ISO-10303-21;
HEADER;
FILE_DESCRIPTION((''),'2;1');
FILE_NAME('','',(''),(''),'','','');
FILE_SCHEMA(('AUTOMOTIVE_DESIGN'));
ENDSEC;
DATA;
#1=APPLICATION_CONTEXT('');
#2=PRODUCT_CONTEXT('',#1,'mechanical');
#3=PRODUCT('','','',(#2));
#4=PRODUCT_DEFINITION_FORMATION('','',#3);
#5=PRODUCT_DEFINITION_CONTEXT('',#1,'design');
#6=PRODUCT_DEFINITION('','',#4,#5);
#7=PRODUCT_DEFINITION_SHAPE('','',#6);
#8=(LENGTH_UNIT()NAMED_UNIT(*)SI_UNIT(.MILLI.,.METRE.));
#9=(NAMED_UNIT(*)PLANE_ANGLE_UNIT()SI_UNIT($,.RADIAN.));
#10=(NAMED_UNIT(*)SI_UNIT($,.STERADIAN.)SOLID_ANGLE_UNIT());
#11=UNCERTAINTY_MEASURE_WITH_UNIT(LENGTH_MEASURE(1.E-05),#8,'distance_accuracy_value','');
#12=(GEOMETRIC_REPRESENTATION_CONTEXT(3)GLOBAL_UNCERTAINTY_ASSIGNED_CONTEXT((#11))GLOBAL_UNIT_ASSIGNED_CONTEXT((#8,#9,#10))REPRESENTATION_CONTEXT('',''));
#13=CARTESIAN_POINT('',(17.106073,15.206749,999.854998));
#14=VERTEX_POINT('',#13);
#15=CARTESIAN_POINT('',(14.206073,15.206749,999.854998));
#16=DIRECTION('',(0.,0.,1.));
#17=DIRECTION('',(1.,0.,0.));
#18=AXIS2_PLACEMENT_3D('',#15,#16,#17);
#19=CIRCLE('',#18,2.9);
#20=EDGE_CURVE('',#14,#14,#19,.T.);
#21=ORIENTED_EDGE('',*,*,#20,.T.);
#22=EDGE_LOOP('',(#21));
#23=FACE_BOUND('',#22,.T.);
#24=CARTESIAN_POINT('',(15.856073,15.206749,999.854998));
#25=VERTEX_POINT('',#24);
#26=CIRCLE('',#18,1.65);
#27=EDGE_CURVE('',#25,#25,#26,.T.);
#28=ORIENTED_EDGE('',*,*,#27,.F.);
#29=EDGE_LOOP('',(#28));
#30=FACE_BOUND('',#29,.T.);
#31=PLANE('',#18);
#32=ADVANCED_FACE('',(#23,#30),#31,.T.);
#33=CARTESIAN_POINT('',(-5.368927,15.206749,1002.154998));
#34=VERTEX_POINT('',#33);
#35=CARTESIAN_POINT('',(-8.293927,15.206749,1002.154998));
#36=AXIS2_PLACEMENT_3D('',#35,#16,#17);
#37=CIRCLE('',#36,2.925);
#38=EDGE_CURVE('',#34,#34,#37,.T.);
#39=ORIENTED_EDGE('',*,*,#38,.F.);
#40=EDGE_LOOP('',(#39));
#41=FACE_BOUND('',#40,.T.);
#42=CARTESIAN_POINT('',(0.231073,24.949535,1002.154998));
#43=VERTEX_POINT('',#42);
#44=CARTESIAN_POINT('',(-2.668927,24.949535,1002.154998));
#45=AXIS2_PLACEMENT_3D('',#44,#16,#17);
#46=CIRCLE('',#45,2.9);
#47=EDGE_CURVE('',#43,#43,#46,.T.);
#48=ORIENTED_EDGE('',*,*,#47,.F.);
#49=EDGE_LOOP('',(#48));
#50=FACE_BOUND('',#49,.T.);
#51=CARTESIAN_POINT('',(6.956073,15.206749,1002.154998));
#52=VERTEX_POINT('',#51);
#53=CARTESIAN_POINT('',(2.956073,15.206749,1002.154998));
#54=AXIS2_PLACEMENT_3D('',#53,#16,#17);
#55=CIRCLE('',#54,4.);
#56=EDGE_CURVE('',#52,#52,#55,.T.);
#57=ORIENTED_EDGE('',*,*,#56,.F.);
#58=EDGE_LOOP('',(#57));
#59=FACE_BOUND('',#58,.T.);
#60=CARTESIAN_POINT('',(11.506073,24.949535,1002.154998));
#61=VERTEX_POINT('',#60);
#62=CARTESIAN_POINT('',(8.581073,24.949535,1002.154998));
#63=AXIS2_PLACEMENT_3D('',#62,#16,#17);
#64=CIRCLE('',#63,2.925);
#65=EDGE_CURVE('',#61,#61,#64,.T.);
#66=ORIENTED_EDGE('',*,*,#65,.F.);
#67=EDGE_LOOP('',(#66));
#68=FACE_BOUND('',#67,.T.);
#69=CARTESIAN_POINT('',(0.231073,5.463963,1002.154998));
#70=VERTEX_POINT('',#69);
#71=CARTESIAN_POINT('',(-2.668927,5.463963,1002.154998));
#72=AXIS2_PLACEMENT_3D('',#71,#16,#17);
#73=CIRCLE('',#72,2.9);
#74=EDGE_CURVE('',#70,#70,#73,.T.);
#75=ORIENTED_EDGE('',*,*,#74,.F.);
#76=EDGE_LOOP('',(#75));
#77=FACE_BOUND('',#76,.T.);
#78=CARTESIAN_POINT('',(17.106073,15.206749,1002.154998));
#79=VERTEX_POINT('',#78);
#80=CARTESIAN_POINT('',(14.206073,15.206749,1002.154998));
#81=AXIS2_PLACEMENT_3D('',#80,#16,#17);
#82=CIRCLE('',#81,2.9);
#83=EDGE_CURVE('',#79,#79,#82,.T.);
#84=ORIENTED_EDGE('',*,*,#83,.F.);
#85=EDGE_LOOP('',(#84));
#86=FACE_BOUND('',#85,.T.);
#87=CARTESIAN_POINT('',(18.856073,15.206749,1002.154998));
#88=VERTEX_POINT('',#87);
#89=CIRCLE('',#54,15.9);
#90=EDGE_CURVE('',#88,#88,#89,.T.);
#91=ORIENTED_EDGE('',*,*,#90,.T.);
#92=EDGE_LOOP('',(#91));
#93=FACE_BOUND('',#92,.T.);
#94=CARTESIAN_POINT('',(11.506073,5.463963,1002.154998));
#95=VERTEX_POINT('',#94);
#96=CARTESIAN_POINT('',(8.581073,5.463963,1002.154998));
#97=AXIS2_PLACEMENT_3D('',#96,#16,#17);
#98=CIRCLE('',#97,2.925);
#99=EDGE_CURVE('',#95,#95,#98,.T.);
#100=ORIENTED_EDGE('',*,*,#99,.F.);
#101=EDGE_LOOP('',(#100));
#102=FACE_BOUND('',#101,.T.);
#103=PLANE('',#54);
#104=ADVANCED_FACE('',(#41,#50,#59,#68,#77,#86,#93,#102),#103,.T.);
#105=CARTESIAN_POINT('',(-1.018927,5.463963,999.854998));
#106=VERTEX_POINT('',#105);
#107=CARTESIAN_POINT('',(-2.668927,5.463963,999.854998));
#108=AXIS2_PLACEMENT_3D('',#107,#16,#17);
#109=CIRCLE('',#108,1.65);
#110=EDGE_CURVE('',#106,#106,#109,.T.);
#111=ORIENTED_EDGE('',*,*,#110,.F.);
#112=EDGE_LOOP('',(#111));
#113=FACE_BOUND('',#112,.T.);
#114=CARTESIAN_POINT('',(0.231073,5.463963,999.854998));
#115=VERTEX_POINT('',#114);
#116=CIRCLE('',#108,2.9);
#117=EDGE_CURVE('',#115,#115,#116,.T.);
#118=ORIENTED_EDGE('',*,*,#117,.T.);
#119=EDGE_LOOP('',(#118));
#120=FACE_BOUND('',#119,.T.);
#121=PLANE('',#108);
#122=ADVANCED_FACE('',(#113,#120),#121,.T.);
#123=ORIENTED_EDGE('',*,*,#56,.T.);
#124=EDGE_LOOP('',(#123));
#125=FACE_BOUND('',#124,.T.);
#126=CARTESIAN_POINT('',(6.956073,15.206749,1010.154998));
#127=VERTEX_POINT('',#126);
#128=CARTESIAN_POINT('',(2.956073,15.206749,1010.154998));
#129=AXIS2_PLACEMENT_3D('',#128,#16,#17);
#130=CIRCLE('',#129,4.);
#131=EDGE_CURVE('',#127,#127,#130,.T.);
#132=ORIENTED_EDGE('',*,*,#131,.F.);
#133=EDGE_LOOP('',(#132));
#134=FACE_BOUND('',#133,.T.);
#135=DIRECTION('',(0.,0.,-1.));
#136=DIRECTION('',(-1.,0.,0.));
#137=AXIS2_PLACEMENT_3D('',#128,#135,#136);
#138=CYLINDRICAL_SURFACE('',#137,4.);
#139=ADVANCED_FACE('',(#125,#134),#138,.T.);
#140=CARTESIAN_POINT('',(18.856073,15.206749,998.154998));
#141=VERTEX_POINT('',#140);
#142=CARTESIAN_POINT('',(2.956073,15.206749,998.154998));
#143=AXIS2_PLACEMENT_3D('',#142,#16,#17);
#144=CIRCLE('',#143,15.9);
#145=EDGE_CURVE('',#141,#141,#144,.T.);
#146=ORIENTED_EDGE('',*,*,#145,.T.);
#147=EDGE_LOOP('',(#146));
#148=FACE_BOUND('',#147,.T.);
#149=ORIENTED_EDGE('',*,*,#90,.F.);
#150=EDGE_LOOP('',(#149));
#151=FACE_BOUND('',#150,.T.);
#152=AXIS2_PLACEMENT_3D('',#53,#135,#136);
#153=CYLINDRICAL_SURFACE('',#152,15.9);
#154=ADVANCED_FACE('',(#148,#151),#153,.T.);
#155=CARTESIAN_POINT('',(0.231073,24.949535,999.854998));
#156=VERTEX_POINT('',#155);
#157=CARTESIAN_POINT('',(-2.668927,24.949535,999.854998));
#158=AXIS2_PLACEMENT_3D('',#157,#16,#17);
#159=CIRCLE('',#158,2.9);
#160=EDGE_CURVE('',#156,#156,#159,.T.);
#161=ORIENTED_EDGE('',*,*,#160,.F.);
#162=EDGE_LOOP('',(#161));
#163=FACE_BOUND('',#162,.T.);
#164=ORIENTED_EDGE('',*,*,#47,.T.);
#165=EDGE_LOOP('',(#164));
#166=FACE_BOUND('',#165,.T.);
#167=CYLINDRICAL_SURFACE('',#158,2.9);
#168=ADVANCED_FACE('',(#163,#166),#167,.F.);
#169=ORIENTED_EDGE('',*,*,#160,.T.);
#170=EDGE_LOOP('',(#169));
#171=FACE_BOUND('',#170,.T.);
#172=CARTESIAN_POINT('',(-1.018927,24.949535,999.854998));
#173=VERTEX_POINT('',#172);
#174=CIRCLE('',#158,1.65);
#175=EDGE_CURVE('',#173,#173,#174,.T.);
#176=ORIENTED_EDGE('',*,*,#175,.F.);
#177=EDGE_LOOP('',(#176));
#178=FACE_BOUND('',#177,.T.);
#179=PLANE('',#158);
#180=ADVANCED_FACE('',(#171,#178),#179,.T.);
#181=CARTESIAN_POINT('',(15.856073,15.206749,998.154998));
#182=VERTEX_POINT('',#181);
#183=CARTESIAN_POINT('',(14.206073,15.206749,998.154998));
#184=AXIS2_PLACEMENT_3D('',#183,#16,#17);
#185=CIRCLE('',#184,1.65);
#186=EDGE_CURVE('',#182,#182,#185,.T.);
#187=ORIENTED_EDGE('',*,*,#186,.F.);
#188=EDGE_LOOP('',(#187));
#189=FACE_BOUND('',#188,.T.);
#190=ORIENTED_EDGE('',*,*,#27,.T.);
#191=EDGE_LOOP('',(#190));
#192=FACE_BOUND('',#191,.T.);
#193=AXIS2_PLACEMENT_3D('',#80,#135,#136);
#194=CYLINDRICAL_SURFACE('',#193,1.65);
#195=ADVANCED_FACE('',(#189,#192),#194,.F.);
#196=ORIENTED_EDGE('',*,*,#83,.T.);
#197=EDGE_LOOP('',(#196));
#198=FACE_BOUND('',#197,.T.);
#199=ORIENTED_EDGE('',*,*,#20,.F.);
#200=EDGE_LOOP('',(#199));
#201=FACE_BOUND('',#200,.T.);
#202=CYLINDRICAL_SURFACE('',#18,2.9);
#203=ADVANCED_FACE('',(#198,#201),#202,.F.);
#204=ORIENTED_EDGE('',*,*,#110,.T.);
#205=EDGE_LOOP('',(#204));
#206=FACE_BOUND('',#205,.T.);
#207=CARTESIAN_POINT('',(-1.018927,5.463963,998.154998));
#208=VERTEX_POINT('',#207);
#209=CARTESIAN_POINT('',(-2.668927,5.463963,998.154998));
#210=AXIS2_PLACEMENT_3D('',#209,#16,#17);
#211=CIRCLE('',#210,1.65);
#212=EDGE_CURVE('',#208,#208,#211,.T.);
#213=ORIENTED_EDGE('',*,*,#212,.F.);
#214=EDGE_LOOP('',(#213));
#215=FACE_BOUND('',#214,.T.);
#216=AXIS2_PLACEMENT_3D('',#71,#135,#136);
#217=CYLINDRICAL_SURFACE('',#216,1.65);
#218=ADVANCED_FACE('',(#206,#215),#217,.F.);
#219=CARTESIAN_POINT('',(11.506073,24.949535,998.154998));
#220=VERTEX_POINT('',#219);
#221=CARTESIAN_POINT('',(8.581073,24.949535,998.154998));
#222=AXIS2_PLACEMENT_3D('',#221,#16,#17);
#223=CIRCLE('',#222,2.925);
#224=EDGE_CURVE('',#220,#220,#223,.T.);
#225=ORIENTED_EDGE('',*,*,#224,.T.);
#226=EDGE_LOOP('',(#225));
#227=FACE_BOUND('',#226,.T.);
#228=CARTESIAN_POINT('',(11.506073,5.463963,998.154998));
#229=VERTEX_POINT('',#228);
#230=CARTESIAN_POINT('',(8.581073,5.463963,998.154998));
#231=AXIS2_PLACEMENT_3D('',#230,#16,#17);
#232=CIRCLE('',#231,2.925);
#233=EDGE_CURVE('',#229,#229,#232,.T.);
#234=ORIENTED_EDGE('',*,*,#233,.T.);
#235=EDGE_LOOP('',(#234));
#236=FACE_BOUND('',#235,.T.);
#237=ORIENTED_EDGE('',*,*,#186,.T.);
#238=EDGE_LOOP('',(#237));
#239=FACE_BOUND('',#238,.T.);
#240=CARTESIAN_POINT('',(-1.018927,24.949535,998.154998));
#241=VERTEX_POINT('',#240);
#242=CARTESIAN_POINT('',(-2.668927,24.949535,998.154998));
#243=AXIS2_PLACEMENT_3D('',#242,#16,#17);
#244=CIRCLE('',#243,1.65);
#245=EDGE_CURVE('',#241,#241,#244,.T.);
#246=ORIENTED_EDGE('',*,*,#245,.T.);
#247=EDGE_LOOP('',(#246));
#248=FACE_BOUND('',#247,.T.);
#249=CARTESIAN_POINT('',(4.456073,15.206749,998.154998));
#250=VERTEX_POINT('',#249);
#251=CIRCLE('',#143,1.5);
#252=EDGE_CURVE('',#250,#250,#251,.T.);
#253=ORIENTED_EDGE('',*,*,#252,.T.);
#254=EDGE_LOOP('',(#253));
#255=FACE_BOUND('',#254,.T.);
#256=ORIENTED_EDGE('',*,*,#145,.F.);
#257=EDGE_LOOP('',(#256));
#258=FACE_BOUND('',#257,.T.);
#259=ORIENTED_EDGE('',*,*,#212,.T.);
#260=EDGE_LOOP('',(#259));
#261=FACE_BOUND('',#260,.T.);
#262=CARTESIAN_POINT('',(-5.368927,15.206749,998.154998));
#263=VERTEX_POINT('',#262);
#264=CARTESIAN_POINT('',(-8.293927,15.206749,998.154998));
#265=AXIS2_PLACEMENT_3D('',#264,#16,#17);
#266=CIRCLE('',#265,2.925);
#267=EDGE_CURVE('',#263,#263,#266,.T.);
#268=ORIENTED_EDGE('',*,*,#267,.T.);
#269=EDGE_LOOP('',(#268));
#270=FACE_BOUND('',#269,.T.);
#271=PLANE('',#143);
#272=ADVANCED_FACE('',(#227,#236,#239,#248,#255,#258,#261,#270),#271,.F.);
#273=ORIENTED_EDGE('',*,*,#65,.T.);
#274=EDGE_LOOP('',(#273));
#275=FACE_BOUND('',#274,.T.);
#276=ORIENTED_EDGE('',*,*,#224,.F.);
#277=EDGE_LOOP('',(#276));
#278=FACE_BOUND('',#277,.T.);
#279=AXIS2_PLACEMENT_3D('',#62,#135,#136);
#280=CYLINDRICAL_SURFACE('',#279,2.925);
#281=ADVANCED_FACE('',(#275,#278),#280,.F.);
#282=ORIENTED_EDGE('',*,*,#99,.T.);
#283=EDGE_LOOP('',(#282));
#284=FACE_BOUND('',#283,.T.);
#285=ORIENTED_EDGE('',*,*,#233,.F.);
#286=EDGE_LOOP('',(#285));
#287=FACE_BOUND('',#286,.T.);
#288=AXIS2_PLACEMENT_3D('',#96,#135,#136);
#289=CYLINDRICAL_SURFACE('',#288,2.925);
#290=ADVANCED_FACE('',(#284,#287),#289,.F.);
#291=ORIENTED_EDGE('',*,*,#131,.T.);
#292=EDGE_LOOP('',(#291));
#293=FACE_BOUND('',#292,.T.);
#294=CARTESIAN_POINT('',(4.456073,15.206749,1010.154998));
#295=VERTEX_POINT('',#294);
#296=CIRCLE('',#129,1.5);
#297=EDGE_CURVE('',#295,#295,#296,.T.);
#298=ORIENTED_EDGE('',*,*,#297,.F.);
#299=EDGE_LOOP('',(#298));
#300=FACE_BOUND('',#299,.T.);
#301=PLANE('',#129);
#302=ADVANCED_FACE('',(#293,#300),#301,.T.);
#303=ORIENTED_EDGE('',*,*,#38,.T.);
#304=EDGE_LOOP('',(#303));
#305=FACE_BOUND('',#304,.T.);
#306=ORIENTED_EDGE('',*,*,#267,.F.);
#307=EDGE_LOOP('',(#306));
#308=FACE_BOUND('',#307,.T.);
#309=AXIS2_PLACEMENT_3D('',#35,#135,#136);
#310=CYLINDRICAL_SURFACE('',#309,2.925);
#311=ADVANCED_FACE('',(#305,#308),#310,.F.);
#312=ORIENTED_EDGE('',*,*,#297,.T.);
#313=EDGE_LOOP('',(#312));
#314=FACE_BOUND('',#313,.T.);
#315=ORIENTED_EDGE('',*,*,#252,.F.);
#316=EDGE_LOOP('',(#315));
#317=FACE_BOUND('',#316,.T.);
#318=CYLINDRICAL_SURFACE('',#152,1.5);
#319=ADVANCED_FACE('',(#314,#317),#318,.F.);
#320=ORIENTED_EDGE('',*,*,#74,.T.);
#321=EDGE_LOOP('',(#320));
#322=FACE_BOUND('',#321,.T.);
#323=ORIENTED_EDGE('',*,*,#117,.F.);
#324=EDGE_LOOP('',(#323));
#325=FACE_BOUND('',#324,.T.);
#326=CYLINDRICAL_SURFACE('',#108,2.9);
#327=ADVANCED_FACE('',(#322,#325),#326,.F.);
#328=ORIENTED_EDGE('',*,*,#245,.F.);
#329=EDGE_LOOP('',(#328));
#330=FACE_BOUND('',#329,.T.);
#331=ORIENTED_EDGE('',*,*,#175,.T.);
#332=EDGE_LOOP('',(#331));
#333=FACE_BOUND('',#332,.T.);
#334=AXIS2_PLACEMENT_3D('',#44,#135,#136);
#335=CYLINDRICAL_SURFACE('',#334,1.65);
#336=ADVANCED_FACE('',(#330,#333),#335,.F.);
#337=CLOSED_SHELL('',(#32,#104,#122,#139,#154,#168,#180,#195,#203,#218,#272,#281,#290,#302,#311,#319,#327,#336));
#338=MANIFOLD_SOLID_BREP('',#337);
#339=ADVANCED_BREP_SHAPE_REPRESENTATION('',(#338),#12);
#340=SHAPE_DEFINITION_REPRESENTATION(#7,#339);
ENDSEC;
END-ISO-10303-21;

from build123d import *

# Parameters (mm, degrees)
CROQUIS1_R              = 15.9
CROQUIS1_R_2            = 2.925
CROQUIS1_R_3            = 1.65
CROQUIS1_R_4            = 1.5
SALIENTE_EXTRUIR1_DEPTH = 4
CROQUIS3_R              = 4
CROQUIS3_R_2            = 1.5
SALIENTE_EXTRUIR3_DEPTH = 8
CROQUIS4_R              = 2.9
CORTAR_EXTRUIR2_DEPTH   = 2.3


with BuildPart() as part:
    # Croquis1 → Saliente-Extruir1 (new body)
    with BuildSketch(Plane.XY.offset(998.15499802)):
        with Locations((2.956072514, 15.206748875)):
            Circle(CROQUIS1_R)
        with Locations((-8.293927486, 15.206748875)):
            Circle(CROQUIS1_R_2, mode=Mode.SUBTRACT)
        with Locations((14.206072514, 15.206748875)):
            Circle(CROQUIS1_R_3, mode=Mode.SUBTRACT)
        with Locations((-2.668927486, 5.463963082)):
            Circle(CROQUIS1_R_3, mode=Mode.SUBTRACT)
        with Locations((-2.668927486, 24.949534667)):
            Circle(CROQUIS1_R_3, mode=Mode.SUBTRACT)
        with Locations((8.581072514, 24.949534667)):
            Circle(CROQUIS1_R_2, mode=Mode.SUBTRACT)
        with Locations((2.956072514, 15.206748875)):
            Circle(CROQUIS1_R_4, mode=Mode.SUBTRACT)
        with Locations((8.581072514, 5.463963082)):
            Circle(CROQUIS1_R_2, mode=Mode.SUBTRACT)
    extrude(amount=SALIENTE_EXTRUIR1_DEPTH)

    # Croquis3 → Saliente-Extruir3 (add)
    with BuildSketch(Plane.XY.offset(1002.15499802)):
        with Locations((2.956072514, 15.206748875)):
            Circle(CROQUIS3_R)
        with Locations((2.956072514, 15.206748875)):
            Circle(CROQUIS3_R_2, mode=Mode.SUBTRACT)
    extrude(amount=SALIENTE_EXTRUIR3_DEPTH)

    # Croquis4 → Cortar-Extruir2 (cut)
    with BuildSketch(Plane.XY.offset(1002.15499802)):
        with Locations((-2.668927486, 24.949534667)):
            Circle(CROQUIS4_R)
        with Locations((14.206072514, 15.206748875)):
            Circle(CROQUIS4_R)
        with Locations((-2.668927486, 5.463963082)):
            Circle(CROQUIS4_R)
    extrude(amount=-CORTAR_EXTRUIR2_DEPTH, mode=Mode.SUBTRACT)


solid = part.part
